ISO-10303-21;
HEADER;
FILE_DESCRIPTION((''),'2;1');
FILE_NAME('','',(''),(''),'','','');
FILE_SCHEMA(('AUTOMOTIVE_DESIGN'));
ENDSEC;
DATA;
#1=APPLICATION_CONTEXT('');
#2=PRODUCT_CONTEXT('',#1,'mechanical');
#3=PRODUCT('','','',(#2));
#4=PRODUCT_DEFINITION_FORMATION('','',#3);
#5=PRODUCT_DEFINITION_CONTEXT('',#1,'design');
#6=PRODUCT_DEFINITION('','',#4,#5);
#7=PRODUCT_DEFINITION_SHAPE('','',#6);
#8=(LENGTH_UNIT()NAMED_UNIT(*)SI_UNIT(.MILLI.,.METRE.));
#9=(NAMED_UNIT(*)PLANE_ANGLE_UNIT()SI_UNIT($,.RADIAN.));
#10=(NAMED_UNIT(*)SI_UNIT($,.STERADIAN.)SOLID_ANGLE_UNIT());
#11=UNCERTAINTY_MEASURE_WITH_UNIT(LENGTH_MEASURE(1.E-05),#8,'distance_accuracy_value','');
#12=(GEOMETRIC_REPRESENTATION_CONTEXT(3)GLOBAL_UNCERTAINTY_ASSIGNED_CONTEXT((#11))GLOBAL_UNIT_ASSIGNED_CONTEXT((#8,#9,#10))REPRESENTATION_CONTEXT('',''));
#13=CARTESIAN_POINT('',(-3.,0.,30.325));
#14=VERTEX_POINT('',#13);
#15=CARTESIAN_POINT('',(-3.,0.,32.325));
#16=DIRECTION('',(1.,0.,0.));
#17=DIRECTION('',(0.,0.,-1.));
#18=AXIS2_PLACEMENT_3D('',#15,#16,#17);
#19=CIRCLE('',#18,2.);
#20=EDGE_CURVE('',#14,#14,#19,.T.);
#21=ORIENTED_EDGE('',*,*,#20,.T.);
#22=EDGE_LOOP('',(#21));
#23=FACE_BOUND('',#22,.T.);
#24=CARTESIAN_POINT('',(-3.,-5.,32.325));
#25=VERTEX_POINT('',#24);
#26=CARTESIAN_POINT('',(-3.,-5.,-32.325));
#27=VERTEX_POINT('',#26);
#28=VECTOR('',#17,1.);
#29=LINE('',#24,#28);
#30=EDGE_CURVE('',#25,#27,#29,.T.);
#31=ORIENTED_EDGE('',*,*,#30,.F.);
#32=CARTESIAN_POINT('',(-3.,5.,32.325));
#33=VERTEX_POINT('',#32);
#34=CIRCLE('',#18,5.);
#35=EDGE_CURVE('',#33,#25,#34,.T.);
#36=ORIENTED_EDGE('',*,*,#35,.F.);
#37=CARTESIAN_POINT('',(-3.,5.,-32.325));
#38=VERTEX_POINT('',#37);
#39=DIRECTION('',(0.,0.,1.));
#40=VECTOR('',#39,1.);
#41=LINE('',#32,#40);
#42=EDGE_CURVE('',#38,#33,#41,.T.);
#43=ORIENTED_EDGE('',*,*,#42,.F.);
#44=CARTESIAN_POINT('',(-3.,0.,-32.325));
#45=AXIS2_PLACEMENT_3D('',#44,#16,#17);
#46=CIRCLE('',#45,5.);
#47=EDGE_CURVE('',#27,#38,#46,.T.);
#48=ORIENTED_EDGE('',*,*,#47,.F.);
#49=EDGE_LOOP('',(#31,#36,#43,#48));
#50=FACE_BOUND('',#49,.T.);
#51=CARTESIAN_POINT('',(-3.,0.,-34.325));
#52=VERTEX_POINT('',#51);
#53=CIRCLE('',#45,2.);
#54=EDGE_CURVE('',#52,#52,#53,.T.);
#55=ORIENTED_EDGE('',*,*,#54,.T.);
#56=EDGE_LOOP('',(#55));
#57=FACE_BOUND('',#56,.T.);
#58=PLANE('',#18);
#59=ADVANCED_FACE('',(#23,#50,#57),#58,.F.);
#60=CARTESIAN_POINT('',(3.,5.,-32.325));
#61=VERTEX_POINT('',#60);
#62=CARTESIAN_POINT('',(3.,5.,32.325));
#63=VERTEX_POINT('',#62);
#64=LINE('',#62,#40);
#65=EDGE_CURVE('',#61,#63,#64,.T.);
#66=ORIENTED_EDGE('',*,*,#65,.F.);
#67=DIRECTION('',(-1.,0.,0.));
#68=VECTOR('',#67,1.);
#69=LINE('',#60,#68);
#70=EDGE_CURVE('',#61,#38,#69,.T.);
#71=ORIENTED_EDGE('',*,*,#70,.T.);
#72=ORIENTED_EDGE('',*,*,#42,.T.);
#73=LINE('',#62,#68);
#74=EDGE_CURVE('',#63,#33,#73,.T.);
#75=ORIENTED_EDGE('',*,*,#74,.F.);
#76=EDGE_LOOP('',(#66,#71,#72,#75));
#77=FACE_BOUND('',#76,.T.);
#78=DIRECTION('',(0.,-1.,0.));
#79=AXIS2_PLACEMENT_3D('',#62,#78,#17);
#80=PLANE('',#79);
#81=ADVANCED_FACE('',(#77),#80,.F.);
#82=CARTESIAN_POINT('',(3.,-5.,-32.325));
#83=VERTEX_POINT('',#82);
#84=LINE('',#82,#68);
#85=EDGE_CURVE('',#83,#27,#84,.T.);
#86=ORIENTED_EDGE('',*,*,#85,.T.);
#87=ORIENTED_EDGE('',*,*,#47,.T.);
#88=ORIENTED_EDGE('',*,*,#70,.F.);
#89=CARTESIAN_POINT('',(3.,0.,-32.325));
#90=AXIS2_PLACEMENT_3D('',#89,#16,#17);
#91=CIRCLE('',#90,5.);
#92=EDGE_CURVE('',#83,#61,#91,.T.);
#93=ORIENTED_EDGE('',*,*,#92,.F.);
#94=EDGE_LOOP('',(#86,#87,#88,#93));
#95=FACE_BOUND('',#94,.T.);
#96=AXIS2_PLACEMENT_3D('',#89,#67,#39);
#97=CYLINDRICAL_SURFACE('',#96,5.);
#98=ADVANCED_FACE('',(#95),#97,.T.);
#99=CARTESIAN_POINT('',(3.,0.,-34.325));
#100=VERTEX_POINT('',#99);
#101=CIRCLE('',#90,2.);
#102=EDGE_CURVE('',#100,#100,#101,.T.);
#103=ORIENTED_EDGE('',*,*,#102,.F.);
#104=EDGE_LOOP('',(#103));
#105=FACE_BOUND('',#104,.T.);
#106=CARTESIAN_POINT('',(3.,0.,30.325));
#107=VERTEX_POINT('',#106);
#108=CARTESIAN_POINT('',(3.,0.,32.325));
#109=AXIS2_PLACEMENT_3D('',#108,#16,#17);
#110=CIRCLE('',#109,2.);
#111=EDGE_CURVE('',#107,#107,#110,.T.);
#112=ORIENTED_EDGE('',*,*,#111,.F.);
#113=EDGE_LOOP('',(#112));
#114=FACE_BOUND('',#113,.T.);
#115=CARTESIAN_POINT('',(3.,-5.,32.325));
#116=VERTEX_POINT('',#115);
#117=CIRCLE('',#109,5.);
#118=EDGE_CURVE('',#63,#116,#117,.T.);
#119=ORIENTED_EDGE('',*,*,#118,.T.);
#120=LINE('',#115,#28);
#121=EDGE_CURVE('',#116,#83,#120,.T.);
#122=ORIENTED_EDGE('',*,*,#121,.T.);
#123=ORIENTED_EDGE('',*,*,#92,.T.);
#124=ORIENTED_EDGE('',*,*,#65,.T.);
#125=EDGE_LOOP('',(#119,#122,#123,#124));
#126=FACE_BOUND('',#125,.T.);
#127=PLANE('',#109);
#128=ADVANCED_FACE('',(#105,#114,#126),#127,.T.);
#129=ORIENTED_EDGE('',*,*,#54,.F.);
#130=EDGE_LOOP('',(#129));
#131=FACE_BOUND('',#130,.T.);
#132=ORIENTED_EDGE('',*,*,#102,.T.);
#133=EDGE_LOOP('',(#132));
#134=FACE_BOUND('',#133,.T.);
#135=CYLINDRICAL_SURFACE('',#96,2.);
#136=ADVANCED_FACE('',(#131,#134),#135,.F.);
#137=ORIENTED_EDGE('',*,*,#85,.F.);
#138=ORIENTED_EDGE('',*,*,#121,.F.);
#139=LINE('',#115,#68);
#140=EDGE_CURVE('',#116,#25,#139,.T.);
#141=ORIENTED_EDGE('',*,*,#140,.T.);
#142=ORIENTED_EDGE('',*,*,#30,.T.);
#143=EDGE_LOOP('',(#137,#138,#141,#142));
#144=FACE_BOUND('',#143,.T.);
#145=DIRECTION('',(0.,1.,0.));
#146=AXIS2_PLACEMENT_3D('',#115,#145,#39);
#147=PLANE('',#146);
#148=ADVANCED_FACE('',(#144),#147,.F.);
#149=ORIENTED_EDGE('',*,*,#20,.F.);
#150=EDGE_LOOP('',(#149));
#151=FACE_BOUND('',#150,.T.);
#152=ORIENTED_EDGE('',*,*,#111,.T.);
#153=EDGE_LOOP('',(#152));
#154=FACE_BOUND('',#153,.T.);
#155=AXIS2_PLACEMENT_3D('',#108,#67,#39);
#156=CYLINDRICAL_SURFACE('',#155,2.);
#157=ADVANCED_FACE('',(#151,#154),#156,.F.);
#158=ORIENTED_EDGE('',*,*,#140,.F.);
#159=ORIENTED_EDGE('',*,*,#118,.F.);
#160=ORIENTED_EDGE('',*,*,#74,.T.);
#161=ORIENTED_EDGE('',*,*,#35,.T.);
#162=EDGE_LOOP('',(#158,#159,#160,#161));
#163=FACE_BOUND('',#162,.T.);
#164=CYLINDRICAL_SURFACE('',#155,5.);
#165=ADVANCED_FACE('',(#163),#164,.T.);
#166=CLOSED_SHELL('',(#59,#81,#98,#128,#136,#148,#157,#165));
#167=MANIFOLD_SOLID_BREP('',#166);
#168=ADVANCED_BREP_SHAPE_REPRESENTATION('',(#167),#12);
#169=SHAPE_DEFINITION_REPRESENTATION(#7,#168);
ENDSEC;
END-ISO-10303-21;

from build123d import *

# Parameters (mm, degrees)
SKETCH1_R           = 2
BOSS_EXTRUDE1_DEPTH = 3


with BuildPart() as part:
    # Sketch1 → Boss-Extrude1 (new, symmetric)
    with BuildSketch(Plane(origin=(0, 0, 0), x_dir=(0, 0, -1), z_dir=(1, 0, 0))):
        with BuildLine():
            Line((-32.325, 5), (32.325, 5))
            ThreePointArc((32.325, 5), (37.325, 0), (32.325, -5))
            Line((32.325, -5), (-32.325, -5))
            ThreePointArc((-32.325, -5), (-37.325, 0), (-32.325, 5))
        make_face()
        with Locations((-32.325, 0)):
            Circle(SKETCH1_R, mode=Mode.SUBTRACT)
        with Locations((32.325, 0)):
            Circle(SKETCH1_R, mode=Mode.SUBTRACT)
    extrude(amount=BOSS_EXTRUDE1_DEPTH, both=True)


solid = part.part
